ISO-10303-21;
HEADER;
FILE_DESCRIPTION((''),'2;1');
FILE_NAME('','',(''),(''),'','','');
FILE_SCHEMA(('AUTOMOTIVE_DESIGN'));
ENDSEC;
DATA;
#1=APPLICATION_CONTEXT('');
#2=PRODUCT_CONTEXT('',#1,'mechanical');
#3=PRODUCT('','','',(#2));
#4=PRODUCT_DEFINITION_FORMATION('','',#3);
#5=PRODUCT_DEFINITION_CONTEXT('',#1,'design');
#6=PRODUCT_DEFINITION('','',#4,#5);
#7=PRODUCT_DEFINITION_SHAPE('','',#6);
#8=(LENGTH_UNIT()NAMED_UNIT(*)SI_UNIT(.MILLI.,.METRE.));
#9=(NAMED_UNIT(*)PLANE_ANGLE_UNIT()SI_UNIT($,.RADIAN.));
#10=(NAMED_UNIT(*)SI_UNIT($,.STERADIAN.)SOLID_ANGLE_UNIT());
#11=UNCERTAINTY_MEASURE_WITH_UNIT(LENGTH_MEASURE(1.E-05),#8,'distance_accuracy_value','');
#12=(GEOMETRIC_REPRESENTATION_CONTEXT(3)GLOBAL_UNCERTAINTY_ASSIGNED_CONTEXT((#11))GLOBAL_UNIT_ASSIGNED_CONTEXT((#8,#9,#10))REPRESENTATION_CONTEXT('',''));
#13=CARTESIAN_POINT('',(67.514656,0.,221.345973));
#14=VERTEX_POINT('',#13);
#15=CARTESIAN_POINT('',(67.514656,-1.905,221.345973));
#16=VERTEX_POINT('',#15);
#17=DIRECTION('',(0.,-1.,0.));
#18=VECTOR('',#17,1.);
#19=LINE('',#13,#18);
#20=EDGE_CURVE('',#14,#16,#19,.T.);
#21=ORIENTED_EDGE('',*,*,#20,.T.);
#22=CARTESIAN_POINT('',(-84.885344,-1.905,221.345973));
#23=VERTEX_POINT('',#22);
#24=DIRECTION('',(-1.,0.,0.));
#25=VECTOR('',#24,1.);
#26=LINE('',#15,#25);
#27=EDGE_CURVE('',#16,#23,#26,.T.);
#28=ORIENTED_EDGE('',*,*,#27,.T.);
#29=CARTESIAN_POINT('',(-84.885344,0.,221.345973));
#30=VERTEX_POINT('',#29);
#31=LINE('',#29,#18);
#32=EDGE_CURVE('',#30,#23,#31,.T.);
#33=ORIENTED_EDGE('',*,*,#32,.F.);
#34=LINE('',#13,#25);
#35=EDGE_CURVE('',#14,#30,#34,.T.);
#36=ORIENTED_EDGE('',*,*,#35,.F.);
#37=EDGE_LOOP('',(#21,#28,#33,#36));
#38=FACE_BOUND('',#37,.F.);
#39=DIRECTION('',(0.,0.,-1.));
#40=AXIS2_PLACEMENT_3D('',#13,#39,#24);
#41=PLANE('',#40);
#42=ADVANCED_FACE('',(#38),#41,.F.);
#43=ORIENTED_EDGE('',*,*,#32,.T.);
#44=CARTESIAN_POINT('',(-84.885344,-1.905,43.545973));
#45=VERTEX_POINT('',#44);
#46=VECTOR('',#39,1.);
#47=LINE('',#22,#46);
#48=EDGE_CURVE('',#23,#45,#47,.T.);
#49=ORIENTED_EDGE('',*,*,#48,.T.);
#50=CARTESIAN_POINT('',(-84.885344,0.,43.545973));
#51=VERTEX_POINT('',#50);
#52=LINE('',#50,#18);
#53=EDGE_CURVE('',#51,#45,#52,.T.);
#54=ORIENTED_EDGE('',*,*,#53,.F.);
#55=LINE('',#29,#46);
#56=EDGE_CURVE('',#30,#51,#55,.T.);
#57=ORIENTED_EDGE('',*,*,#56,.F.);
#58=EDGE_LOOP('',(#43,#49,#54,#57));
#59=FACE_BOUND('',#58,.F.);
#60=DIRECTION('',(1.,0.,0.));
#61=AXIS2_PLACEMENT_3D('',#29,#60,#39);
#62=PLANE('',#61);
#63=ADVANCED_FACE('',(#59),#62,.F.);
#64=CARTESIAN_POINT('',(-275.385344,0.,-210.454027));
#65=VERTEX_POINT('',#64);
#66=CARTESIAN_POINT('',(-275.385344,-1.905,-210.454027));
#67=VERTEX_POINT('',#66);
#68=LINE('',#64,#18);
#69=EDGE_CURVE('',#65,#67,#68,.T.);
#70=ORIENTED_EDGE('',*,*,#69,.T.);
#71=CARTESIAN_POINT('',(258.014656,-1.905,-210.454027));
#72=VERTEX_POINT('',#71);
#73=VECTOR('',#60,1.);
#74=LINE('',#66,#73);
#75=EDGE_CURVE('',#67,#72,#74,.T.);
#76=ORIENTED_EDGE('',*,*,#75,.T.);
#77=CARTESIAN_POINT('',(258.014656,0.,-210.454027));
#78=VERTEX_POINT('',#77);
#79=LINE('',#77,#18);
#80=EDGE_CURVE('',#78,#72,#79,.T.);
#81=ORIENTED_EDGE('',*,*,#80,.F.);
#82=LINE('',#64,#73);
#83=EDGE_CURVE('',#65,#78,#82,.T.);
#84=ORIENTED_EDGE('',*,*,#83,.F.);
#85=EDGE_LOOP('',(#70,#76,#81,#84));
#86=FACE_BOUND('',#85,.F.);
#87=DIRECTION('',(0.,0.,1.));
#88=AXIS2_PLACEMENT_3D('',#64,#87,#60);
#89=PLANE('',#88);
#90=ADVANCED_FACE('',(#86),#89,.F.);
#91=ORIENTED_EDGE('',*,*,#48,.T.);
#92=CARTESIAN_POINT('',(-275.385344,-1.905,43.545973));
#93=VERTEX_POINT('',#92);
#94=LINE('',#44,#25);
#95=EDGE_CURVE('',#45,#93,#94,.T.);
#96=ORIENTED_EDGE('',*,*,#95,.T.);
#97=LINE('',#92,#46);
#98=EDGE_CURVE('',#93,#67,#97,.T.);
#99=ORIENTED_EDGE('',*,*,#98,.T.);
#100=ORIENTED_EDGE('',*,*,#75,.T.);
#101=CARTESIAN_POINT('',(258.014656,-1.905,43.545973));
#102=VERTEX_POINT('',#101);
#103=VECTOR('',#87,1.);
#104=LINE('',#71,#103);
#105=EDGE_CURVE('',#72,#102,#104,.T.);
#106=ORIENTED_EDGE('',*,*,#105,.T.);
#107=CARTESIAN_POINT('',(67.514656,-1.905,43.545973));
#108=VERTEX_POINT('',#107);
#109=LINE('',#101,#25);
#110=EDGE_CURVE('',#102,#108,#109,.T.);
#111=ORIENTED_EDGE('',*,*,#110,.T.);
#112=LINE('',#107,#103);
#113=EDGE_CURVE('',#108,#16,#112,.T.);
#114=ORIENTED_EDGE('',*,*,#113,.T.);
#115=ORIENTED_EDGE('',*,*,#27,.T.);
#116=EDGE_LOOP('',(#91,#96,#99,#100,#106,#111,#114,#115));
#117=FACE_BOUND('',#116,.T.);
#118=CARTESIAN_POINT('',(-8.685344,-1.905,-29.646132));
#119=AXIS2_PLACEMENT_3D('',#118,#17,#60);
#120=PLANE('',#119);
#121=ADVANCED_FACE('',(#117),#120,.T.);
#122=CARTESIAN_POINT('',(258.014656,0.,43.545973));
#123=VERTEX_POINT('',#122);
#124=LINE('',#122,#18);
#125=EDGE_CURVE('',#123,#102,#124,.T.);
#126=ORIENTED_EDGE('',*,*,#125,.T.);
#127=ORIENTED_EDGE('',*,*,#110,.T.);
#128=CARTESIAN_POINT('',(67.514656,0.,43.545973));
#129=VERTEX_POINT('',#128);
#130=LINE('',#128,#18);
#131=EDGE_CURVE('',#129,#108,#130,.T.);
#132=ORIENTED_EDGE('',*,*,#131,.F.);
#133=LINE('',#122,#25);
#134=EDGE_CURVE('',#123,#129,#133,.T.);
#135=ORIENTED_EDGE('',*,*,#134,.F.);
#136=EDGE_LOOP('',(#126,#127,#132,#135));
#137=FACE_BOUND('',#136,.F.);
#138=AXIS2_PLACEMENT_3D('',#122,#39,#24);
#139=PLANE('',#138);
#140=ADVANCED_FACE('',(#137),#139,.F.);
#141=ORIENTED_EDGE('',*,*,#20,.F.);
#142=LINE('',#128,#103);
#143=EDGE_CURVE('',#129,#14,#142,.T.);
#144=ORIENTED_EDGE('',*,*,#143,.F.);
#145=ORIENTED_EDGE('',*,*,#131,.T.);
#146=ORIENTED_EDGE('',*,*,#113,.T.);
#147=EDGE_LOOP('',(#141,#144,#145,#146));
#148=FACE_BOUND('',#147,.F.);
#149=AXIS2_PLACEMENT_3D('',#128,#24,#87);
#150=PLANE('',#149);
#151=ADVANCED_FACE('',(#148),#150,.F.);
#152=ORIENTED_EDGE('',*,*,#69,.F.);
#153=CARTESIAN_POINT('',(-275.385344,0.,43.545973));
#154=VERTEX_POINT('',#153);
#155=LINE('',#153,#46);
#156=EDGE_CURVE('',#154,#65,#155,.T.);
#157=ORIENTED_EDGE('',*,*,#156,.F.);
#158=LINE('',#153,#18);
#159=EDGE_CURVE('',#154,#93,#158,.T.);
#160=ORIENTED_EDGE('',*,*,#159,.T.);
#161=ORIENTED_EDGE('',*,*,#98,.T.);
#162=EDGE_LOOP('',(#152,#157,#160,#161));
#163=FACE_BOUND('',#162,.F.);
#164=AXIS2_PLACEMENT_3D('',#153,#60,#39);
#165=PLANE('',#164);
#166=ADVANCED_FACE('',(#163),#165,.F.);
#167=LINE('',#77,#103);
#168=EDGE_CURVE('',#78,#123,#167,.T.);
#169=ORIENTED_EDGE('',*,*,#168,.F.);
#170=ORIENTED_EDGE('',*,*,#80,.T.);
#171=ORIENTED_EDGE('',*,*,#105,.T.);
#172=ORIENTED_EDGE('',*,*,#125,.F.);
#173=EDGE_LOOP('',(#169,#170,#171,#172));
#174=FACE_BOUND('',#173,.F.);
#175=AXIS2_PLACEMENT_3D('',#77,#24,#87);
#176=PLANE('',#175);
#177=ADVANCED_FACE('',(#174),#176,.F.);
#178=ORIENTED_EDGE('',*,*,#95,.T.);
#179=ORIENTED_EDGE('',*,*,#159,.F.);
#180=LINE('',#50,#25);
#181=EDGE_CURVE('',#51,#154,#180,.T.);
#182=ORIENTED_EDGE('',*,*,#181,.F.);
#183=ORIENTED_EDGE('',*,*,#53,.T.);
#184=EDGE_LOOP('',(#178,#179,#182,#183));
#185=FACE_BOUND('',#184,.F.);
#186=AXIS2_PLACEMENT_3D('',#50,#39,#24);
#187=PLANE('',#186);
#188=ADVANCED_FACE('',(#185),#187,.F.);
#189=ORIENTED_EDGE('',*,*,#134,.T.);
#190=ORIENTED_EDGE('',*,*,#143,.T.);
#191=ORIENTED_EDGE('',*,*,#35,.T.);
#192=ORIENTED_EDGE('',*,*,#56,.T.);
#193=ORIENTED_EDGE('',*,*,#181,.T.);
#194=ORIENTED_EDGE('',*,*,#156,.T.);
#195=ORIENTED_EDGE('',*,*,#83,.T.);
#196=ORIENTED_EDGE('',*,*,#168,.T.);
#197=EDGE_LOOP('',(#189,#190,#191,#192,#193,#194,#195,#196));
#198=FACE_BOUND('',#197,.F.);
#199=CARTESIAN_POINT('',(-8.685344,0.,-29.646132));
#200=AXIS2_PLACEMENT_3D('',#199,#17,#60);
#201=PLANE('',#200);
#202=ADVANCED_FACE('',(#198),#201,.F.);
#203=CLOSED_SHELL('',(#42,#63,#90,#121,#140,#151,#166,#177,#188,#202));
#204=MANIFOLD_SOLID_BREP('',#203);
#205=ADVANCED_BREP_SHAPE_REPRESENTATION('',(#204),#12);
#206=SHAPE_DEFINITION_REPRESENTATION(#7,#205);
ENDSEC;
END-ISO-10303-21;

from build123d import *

# Parameters (mm, degrees)
F1_DEPTH = 1.905
F2_DEPTH = 1.905


with BuildPart() as f1:
    # F0 (on Front) → F1 (new body)
    with BuildSketch(Plane.XZ):
        Polygon((-275.385344, 43.545973), (-275.385344, -210.454027), (258.014656, -210.454027), (258.014656, 43.545973), (67.514656, 43.545973), (67.514656, 221.345973), (-84.885344, 221.345973), (-84.885344, 43.545973), align=None)
        Polygon((-82.980344, 219.440973), (65.609656, 219.440973), (65.609656, 41.640973), (256.109656, 41.640973), (256.109656, -208.549027), (-273.480344, -208.549027), (-273.480344, 41.640973), (-82.980344, 41.640973), align=None, mode=Mode.SUBTRACT)
    extrude(amount=F1_DEPTH)

    # F0 (on Front) → F2 (join)
    with BuildSketch(Plane.XZ):
        Polygon((-275.385344, 43.545973), (-275.385344, -210.454027), (258.014656, -210.454027), (258.014656, 43.545973), (67.514656, 43.545973), (67.514656, 221.345973), (-84.885344, 221.345973), (-84.885344, 43.545973), align=None)
        Polygon((-82.980344, 219.440973), (65.609656, 219.440973), (65.609656, 41.640973), (256.109656, 41.640973), (256.109656, -208.549027), (-273.480344, -208.549027), (-273.480344, 41.640973), (-82.980344, 41.640973), align=None, mode=Mode.SUBTRACT)
        Polygon((65.609656, 41.640973), (65.609656, 219.440973), (-82.980344, 219.440973), (-82.980344, 41.640973), (-273.480344, 41.640973), (-273.480344, -208.549027), (256.109656, -208.549027), (256.109656, 41.640973), align=None)
    extrude(amount=F2_DEPTH)


solid = f1.part
